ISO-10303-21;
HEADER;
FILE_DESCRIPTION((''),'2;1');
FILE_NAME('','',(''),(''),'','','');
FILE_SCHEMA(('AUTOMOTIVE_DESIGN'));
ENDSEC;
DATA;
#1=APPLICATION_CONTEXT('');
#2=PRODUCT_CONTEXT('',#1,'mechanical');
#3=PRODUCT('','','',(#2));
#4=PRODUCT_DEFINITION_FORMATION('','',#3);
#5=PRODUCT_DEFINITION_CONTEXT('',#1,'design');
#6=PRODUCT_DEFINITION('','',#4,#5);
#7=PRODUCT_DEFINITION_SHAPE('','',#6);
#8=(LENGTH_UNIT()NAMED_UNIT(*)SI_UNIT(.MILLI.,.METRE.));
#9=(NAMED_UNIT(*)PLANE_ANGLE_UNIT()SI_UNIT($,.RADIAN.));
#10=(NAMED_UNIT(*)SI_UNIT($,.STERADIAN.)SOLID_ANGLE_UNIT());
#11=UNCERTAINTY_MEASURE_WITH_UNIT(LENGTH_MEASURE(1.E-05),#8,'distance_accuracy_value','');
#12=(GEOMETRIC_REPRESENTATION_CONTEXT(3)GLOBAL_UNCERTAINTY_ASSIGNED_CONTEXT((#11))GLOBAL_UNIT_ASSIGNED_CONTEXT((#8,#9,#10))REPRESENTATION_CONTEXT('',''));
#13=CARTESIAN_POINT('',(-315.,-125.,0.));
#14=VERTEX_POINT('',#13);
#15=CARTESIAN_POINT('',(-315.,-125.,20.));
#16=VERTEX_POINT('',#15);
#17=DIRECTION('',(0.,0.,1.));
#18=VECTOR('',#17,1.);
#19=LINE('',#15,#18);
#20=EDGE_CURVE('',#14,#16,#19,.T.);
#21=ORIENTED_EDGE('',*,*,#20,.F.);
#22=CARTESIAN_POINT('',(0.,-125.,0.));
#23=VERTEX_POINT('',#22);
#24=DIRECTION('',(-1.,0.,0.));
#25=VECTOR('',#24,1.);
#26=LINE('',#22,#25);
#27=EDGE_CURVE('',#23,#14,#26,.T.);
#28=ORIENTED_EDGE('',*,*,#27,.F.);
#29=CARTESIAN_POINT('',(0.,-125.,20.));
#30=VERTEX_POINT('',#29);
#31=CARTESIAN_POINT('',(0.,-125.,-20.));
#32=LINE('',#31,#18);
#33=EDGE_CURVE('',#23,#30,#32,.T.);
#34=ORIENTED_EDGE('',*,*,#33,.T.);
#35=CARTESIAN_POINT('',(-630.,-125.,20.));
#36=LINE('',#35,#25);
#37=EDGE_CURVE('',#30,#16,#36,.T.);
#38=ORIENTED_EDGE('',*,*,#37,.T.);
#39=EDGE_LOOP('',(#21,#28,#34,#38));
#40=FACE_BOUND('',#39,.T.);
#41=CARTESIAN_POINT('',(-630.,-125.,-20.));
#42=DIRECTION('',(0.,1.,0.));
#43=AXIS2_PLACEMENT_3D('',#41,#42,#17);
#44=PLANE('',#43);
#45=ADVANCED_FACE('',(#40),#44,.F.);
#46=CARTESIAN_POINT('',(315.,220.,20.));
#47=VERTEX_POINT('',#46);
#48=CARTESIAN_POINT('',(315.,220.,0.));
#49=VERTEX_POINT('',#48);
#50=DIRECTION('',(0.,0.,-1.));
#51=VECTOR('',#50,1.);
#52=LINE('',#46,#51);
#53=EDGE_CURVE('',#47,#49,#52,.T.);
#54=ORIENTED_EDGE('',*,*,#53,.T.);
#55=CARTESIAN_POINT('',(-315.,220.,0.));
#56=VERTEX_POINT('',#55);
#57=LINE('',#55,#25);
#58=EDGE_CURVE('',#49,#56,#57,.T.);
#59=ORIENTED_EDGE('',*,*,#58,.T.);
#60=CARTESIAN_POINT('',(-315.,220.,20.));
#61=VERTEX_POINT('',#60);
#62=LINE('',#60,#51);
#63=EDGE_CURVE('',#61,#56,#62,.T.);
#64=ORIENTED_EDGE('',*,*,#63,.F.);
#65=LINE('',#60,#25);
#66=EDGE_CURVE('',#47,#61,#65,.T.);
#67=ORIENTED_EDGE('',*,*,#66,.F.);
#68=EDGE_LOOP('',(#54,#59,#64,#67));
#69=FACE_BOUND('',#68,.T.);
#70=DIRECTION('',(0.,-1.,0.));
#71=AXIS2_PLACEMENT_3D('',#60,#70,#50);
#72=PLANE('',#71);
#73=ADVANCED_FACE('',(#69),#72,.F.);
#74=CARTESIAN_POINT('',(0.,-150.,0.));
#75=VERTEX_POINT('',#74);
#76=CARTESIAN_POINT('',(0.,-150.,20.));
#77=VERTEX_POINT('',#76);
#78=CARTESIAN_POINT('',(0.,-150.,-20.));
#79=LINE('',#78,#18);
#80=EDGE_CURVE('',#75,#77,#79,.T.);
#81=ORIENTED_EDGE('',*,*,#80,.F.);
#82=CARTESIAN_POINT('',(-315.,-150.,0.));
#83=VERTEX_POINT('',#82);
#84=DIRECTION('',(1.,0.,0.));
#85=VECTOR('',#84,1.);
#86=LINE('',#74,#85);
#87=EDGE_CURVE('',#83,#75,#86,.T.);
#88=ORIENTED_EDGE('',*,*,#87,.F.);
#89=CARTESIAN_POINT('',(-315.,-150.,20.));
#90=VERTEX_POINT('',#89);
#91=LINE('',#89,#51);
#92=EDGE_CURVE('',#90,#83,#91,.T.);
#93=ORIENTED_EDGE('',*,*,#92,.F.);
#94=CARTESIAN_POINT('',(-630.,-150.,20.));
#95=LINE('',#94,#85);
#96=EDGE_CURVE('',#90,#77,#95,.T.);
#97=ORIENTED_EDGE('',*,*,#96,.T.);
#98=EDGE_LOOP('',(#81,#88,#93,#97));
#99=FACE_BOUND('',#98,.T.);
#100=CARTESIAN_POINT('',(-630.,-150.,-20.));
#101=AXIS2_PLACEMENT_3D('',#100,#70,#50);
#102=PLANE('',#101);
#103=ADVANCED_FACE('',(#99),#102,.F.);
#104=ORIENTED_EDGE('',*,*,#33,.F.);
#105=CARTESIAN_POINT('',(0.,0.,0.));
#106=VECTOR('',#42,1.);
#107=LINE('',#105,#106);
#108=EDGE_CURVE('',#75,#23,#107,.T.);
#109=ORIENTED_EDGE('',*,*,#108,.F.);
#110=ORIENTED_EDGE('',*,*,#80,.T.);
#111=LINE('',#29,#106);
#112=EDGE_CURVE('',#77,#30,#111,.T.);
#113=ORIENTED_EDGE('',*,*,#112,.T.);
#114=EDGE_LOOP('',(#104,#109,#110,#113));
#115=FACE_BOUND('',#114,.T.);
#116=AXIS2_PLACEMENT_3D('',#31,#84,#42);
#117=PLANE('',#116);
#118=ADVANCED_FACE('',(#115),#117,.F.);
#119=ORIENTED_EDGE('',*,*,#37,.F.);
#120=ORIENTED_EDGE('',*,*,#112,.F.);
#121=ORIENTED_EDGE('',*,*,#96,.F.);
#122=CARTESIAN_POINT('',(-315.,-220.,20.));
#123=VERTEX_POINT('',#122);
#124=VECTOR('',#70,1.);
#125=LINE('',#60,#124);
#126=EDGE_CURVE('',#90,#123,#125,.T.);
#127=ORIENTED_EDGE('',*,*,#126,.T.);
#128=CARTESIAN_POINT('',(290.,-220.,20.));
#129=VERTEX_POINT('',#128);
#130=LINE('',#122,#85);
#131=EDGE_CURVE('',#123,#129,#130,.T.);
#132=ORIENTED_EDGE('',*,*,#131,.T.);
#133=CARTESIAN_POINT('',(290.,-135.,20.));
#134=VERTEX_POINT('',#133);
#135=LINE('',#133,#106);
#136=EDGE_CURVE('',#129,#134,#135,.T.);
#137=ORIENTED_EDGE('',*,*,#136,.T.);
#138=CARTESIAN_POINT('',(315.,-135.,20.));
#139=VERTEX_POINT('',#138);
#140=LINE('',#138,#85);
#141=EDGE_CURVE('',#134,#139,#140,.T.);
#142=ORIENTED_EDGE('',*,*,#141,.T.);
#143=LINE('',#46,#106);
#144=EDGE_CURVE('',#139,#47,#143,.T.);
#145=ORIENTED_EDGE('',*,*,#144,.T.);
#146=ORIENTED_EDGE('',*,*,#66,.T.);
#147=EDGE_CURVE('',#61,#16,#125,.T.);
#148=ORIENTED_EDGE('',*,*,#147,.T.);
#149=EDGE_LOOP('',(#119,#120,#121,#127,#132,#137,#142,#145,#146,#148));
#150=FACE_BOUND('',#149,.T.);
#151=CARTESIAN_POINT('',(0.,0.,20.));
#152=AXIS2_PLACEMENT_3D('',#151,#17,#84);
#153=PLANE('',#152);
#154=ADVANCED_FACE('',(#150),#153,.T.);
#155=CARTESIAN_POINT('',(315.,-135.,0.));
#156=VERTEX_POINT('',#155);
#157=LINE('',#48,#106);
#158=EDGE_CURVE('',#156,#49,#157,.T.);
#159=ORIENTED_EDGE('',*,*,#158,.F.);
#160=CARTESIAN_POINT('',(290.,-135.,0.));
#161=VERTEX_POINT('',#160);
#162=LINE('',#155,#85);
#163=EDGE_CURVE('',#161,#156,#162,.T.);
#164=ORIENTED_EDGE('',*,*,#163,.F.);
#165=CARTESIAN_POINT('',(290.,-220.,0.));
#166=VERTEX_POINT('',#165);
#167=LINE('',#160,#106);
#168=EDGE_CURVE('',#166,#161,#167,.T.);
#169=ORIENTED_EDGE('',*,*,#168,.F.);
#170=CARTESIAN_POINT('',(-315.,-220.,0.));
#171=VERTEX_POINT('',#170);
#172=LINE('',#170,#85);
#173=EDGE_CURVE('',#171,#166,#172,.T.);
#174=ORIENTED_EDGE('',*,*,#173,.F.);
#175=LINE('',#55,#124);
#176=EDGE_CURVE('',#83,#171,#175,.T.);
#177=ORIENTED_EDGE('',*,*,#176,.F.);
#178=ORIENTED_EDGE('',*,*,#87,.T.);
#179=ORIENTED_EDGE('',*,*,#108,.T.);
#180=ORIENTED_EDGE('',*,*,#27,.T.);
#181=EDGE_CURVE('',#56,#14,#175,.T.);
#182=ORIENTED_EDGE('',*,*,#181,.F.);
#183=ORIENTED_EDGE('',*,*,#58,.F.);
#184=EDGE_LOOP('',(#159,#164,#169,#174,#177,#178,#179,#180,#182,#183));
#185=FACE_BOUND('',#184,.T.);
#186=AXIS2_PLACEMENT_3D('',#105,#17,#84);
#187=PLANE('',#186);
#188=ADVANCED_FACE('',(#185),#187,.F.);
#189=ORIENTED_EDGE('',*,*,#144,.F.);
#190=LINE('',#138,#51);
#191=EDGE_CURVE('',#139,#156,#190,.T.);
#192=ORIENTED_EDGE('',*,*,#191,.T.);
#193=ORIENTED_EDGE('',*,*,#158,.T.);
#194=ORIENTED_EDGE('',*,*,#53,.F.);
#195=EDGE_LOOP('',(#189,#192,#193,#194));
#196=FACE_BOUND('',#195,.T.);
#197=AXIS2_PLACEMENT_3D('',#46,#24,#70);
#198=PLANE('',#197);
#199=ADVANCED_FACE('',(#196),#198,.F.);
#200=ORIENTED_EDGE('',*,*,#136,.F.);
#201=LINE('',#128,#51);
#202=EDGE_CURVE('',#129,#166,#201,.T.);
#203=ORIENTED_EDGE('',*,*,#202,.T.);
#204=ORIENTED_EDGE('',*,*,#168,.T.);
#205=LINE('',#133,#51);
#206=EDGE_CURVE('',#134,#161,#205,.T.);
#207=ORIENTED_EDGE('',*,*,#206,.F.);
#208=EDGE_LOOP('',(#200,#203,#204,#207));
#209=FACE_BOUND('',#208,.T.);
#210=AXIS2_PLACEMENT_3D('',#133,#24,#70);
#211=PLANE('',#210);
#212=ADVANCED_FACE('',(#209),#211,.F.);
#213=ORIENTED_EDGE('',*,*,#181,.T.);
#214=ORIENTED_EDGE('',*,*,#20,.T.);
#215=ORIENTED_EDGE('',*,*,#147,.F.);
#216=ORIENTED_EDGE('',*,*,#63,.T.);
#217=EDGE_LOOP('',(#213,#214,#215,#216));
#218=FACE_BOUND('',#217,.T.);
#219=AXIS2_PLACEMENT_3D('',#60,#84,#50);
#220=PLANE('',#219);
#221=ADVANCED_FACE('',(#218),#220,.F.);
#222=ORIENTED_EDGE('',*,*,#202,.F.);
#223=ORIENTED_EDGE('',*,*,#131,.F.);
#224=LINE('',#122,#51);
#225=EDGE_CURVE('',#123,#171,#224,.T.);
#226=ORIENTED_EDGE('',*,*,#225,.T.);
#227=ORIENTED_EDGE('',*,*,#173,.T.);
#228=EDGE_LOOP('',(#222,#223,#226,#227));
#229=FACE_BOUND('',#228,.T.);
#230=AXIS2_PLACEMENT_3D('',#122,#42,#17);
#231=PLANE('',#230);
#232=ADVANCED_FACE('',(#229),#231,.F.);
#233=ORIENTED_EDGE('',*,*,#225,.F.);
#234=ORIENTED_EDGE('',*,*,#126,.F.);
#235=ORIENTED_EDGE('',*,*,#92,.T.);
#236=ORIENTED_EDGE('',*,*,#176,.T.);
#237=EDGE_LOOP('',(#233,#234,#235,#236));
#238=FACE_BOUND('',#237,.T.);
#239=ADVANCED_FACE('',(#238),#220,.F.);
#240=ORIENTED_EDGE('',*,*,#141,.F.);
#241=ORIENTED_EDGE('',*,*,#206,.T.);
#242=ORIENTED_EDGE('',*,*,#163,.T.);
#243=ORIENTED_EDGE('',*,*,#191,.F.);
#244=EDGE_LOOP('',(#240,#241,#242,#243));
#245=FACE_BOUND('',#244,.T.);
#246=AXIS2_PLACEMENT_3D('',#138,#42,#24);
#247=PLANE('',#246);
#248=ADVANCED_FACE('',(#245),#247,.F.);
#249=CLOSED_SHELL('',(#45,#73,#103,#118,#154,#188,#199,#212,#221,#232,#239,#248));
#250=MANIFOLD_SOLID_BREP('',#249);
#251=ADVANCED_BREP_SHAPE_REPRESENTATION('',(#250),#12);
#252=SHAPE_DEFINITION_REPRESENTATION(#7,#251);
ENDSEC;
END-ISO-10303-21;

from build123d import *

# Parameters (mm, degrees)
BOSS_EXTRUDE1_DEPTH = 20
SKETCH2_W           = 630
SKETCH2_H           = 25
CUT_EXTRUDE1_DEPTH  = 40


with BuildPart() as part:
    # Sketch1 → Boss-Extrude1 (new body)
    with BuildSketch(Plane.XY):
        Polygon((315, -135), (290, -135), (290, -220), (-315, -220), (-315, 220), (315, 220), align=None)
    extrude(amount=BOSS_EXTRUDE1_DEPTH)

    # Sketch2 → Cut-Extrude1 (cut)
    with BuildSketch(Plane.XY.offset(20)):
        with Locations((-315, -137.5)):
            Rectangle(SKETCH2_W, SKETCH2_H)
    extrude(amount=-CUT_EXTRUDE1_DEPTH, mode=Mode.SUBTRACT)


solid = part.part
